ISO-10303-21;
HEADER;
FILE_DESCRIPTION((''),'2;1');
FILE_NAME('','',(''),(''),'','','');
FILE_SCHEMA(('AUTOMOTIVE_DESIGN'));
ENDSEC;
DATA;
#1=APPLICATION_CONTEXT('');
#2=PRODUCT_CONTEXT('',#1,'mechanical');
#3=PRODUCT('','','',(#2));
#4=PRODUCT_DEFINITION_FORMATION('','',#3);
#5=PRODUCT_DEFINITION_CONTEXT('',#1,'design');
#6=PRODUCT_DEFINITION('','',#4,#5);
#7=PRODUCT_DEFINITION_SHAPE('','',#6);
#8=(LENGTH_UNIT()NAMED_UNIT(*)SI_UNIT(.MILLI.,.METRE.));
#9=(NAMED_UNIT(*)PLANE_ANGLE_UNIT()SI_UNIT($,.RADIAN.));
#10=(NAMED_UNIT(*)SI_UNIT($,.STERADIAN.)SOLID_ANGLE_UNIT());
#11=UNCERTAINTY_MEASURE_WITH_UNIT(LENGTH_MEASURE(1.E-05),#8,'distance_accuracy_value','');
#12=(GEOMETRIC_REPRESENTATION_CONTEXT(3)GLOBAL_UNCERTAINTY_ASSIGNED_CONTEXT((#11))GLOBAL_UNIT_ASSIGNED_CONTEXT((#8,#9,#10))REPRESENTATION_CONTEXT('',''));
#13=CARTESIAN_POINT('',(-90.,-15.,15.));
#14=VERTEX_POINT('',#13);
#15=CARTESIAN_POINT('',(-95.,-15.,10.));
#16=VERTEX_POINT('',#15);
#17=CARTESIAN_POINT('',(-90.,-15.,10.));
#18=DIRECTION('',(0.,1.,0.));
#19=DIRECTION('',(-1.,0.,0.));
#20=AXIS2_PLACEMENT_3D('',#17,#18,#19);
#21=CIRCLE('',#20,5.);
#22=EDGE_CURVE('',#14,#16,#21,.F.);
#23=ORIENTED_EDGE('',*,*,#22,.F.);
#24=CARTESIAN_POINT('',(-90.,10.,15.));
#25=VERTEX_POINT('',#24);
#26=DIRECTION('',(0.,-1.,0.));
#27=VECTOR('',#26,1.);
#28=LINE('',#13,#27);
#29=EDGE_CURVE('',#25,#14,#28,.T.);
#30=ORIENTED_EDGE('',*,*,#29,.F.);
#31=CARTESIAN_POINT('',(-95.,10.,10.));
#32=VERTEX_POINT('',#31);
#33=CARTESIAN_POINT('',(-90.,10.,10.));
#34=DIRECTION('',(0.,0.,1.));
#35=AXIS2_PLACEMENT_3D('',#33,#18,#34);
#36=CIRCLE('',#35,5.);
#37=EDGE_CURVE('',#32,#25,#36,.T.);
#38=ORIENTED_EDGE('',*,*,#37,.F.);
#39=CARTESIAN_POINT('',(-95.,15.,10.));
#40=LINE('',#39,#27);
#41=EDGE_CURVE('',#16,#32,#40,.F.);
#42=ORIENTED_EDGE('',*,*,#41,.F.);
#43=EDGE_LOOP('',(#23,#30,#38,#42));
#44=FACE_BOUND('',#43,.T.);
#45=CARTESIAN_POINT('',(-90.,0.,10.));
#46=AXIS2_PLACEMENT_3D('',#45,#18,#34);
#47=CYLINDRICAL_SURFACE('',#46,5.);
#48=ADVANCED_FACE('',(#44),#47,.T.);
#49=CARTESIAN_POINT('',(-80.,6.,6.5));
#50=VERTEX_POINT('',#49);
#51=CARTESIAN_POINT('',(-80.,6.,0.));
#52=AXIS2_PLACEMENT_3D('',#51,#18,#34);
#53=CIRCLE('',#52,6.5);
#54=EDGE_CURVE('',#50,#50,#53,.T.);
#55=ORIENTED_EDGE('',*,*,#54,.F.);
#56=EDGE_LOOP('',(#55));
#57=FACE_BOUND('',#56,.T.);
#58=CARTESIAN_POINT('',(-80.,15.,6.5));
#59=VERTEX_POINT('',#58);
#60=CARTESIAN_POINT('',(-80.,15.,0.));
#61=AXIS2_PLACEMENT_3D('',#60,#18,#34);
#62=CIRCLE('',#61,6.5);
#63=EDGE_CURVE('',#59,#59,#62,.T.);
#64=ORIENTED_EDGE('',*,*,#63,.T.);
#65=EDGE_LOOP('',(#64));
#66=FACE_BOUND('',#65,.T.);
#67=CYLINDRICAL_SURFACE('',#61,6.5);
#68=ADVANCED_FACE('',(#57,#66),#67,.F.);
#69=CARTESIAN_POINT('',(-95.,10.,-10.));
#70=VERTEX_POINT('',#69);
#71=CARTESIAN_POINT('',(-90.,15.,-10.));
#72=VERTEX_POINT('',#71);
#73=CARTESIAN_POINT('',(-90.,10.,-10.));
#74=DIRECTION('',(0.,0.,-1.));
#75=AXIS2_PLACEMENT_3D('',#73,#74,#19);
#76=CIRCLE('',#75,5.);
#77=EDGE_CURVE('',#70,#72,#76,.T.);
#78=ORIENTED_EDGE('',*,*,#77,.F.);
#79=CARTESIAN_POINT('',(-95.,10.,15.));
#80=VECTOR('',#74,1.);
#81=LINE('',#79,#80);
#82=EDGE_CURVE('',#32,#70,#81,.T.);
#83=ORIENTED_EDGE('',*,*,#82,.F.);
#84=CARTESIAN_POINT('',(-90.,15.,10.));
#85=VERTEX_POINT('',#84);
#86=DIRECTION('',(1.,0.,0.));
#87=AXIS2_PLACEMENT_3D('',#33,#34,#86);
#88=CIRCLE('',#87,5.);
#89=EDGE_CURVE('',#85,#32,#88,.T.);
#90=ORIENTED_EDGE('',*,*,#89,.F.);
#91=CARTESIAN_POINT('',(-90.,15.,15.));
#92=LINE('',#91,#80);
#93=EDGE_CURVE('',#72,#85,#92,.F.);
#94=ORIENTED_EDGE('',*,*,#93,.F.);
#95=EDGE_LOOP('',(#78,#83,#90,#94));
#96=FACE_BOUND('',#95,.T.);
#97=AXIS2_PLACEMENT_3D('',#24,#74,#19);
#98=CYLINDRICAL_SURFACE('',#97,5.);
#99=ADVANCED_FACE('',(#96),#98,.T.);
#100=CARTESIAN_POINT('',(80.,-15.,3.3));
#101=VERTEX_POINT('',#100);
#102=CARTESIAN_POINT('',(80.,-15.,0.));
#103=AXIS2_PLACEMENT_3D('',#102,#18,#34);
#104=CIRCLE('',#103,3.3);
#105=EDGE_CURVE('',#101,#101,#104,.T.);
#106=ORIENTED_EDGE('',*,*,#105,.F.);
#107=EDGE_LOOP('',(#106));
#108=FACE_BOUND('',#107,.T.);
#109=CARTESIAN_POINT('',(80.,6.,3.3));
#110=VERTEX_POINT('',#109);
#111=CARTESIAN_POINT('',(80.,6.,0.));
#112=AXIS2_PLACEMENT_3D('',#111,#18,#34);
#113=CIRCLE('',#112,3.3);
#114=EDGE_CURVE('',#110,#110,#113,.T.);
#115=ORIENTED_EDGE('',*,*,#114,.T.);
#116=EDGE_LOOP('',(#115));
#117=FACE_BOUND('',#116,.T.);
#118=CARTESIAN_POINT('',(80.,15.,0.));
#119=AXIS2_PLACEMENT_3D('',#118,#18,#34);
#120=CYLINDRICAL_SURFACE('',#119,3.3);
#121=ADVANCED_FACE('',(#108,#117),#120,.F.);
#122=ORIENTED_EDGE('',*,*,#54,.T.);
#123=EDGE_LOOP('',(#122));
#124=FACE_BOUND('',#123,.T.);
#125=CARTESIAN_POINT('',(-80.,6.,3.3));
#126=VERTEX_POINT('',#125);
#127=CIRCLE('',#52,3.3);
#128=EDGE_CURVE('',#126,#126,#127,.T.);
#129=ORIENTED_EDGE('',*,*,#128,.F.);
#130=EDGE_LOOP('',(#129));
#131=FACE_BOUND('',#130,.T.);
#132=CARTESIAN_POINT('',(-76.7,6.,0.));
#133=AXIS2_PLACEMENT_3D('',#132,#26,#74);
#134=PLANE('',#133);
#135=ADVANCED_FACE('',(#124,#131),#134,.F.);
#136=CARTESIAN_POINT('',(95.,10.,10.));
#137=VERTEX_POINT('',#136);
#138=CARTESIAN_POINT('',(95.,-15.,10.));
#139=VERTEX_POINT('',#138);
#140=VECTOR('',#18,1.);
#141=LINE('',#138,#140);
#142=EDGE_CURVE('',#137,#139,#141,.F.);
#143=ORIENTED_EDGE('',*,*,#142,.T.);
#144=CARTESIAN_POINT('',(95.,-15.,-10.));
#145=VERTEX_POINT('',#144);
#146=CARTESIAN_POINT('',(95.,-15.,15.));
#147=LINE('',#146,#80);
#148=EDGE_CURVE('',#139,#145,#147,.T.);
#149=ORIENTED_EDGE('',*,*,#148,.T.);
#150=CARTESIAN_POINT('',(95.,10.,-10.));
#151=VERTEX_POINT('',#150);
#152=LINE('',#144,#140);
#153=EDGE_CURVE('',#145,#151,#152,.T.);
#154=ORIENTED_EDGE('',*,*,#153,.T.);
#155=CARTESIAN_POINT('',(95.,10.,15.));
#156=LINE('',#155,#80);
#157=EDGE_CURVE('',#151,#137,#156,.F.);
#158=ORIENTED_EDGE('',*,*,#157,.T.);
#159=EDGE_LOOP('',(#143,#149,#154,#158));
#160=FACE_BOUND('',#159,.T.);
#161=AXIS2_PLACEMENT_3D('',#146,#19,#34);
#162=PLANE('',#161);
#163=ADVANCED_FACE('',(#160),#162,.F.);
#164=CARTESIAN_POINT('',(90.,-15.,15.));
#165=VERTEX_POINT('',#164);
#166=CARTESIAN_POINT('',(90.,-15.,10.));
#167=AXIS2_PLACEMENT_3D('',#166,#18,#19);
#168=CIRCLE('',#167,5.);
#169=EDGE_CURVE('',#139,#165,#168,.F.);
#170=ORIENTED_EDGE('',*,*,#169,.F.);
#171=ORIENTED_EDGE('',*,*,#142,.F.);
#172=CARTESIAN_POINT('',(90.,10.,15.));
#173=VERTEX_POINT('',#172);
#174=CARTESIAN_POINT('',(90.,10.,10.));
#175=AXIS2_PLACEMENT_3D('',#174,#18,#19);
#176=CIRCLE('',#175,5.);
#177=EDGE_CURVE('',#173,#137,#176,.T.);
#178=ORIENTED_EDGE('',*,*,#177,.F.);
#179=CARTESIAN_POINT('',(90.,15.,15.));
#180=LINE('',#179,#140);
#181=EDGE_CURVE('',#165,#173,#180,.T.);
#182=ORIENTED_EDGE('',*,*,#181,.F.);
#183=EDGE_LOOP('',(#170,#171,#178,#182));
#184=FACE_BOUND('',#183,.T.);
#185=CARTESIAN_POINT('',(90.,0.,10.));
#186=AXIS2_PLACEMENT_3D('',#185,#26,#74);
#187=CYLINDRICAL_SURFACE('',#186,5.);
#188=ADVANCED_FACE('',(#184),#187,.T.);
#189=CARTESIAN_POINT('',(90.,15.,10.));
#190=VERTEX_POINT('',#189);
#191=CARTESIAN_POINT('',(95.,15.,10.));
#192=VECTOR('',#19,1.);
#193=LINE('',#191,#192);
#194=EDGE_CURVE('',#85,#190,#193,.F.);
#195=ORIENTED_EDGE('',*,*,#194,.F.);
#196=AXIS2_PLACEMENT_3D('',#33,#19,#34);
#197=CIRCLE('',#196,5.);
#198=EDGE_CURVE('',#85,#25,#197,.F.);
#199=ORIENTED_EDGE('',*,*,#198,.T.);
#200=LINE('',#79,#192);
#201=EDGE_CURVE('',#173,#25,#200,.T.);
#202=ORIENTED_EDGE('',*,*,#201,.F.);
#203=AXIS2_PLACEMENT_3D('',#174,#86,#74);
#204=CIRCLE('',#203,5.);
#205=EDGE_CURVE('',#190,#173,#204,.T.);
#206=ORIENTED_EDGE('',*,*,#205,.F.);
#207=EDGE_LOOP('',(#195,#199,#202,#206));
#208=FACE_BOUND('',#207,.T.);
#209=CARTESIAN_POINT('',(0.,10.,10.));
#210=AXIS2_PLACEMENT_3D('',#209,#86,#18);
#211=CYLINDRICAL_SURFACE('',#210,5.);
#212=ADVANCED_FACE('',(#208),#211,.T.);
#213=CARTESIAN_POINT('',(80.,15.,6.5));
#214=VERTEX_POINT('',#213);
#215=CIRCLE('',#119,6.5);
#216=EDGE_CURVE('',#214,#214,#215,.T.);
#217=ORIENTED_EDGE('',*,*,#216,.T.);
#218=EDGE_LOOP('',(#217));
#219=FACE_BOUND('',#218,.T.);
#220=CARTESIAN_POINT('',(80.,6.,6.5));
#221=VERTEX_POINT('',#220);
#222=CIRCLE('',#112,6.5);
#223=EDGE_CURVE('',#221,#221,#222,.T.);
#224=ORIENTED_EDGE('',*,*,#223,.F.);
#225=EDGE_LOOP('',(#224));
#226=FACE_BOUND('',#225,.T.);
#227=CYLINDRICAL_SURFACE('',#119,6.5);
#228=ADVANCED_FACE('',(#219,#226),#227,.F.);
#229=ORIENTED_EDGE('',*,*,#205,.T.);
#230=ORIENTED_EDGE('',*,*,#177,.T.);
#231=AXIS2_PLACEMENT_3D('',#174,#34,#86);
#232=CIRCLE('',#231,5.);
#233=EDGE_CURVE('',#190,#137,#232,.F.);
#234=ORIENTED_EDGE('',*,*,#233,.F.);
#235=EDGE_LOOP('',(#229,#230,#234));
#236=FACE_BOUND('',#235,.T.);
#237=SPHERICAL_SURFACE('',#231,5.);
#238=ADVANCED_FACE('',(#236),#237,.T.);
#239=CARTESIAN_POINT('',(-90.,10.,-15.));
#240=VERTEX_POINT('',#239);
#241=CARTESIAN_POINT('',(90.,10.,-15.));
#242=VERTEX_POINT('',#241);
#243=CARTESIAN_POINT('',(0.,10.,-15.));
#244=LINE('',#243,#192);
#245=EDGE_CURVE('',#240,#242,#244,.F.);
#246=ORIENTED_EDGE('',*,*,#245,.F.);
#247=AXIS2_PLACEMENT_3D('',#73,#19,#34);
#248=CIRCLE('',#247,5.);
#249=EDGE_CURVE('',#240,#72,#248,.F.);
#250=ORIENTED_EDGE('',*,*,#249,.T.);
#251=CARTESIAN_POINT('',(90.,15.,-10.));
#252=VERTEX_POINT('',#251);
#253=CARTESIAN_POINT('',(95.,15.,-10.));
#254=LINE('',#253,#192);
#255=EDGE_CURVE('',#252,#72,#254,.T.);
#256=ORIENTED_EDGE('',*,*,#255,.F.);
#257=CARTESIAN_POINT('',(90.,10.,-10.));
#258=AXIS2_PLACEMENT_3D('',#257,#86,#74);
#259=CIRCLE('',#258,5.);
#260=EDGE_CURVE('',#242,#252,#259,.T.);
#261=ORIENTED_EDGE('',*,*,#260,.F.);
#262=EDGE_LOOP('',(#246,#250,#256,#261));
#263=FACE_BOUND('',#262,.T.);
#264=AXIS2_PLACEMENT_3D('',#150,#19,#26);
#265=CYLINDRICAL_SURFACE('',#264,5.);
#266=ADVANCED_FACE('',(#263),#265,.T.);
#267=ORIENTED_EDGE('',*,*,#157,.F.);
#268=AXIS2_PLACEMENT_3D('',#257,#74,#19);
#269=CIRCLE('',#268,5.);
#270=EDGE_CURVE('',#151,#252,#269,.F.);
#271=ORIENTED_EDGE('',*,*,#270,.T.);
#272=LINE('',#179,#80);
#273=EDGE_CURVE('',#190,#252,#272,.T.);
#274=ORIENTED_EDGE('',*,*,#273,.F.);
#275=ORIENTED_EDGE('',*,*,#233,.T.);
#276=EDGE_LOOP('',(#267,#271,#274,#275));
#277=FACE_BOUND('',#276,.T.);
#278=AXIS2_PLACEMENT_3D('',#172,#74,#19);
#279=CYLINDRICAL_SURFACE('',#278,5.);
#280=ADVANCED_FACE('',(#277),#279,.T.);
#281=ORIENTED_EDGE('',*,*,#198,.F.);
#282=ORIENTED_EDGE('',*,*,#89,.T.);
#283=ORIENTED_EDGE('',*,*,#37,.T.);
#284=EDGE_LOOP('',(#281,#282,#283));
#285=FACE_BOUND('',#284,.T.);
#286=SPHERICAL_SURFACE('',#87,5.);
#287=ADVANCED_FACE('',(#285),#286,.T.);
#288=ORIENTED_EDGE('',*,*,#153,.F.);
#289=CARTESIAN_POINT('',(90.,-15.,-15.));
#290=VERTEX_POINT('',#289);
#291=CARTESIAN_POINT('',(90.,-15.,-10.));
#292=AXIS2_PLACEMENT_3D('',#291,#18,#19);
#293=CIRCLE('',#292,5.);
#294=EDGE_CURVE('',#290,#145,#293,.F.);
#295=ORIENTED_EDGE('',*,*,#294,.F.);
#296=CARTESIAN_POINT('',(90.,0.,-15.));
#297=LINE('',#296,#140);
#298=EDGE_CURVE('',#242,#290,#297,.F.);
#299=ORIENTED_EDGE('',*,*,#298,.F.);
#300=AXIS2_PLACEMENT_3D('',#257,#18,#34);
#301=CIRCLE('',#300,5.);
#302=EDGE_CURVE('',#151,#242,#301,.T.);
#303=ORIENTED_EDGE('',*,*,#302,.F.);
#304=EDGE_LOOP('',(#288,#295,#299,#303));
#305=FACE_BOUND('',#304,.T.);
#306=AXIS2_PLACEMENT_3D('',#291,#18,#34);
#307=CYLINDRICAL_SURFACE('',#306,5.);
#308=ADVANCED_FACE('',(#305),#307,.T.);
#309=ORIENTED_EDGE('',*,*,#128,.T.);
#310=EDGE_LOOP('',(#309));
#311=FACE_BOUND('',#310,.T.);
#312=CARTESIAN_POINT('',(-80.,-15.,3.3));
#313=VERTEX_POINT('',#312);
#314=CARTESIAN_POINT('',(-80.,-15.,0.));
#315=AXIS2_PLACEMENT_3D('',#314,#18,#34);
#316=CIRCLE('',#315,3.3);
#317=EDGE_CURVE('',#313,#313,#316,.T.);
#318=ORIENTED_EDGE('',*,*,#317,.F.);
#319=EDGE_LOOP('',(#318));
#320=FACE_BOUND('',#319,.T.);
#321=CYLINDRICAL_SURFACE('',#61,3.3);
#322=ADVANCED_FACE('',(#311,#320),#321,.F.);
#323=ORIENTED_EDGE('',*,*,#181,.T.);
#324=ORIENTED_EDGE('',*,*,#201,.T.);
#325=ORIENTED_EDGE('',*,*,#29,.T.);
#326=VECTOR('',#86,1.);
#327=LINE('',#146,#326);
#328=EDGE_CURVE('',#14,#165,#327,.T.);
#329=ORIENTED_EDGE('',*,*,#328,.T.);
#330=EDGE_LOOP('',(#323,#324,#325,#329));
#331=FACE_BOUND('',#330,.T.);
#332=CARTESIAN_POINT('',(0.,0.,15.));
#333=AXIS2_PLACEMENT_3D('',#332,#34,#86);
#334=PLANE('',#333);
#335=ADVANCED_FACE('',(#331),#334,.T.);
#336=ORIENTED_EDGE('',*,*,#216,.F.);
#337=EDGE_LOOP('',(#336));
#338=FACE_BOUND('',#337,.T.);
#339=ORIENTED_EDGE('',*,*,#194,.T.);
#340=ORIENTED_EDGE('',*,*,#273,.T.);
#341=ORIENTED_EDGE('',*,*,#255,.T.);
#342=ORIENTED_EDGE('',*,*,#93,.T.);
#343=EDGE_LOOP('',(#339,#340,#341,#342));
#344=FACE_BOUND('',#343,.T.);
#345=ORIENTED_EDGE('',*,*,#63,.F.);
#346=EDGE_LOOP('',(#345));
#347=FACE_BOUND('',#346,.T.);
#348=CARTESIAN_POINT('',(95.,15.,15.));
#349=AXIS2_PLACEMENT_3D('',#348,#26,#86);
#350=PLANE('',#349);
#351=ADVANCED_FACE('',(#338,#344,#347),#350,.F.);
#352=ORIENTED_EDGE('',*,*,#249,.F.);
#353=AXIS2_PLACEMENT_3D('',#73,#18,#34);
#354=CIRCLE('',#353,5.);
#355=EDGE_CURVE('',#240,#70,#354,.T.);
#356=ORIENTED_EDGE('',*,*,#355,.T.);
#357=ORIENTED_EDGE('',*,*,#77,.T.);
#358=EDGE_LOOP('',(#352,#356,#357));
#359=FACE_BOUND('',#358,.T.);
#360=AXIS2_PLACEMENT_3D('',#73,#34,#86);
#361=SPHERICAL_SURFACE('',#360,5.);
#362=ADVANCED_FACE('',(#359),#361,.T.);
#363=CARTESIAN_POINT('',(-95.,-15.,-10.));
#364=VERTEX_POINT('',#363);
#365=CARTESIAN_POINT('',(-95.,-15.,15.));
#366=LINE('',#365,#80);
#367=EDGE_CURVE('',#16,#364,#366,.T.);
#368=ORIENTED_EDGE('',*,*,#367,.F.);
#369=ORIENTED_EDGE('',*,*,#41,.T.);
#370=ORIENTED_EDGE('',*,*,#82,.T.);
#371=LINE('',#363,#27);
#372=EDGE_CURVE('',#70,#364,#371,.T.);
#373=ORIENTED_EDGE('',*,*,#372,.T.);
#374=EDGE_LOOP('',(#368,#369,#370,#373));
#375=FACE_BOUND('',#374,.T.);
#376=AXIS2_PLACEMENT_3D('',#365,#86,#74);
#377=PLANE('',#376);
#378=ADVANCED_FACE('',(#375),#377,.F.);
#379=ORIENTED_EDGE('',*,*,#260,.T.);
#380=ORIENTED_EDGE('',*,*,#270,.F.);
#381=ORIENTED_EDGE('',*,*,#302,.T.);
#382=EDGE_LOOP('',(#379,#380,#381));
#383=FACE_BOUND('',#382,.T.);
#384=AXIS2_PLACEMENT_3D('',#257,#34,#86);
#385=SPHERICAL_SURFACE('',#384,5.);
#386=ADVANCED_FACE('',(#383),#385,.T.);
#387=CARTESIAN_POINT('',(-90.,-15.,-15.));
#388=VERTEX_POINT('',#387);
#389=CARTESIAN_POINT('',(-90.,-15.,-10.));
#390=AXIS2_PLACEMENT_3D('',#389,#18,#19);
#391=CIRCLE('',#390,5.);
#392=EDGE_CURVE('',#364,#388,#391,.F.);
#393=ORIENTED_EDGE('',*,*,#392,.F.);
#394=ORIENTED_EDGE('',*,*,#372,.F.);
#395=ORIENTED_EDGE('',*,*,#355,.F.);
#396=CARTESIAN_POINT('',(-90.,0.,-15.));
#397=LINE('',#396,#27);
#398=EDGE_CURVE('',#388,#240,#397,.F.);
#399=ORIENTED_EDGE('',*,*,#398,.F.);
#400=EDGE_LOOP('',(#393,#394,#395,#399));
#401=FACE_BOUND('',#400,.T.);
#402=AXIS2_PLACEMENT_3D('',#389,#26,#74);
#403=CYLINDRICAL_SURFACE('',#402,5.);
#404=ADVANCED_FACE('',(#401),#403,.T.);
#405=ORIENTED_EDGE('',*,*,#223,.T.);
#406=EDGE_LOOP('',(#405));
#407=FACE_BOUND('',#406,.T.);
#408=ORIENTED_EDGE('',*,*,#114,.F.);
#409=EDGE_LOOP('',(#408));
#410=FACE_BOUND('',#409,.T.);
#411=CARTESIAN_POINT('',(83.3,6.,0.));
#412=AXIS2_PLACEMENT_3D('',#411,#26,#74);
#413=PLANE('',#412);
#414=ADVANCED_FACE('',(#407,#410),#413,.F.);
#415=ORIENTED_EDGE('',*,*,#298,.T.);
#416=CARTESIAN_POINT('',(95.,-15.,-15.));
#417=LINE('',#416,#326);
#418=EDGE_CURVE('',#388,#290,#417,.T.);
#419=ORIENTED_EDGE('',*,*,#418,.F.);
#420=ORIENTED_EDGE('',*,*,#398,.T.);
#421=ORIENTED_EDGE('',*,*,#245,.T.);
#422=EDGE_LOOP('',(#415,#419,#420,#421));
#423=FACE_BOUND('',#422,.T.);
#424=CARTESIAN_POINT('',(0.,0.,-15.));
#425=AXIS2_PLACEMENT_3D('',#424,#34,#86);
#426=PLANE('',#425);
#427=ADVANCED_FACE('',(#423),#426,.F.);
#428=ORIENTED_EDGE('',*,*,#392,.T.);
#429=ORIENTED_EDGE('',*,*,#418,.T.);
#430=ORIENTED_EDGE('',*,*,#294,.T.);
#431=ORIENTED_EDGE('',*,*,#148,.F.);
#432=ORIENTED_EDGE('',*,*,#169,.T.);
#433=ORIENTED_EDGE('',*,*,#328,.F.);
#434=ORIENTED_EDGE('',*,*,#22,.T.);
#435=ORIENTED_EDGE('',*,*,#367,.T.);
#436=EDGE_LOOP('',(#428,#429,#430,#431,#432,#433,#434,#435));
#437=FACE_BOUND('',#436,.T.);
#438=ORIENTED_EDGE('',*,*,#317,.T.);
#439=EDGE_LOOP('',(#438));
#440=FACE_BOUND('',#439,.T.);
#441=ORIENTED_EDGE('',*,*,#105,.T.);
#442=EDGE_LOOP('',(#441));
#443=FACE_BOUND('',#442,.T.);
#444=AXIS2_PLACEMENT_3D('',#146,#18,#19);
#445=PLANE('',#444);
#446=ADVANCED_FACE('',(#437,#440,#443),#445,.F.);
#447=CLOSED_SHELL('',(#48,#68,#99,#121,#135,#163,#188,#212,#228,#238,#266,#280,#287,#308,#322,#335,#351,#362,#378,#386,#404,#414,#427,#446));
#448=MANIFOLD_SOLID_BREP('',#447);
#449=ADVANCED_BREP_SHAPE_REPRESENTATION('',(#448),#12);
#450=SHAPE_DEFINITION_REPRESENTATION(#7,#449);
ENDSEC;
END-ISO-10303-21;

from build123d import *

# Parameters (mm, degrees)
SKETCH1_W                                           = 190
SKETCH1_H                                           = 30
BOSS_EXTRUDE1_DEPTH                                 = 15
FILLET3_R                                           = 5
CBORE_FOR_M6_HEX_SOCKET_HEAD_CAP_SCREW1_D           = 6.6
CBORE_FOR_M6_HEX_SOCKET_HEAD_CAP_SCREW1_CBORE_D     = 13
CBORE_FOR_M6_HEX_SOCKET_HEAD_CAP_SCREW1_CBORE_DEPTH = 9


with BuildPart() as part:
    # Sketch1 → Boss-Extrude1 (new, symmetric)
    with BuildSketch(Plane.XY):
        Rectangle(SKETCH1_W, SKETCH1_H)
    extrude(amount=BOSS_EXTRUDE1_DEPTH, both=True)

    # Fillet3
    fillet3_edges = [part.edges().sort_by_distance(p)[0] for p in [
        (95, 0, 15),
        (0, 15, 15),
        (-95, 0, 15),
        (0, 15, -15),
        (95, 0, -15),
        (-95, 0, -15),
        (-95, 15, 0),
        (95, 15, 0),
    ]]
    fillet(fillet3_edges, radius=FILLET3_R)

    # CBORE for M6 Hex Socket Head Cap Screw1 (through all)
    with Locations(Plane(origin=(0, 15, 0), x_dir=(1, 0, 0), z_dir=(0, 1, 0))):
        with Locations((-80, 0), (80, 0)):
            CounterBoreHole(CBORE_FOR_M6_HEX_SOCKET_HEAD_CAP_SCREW1_D / 2, CBORE_FOR_M6_HEX_SOCKET_HEAD_CAP_SCREW1_CBORE_D / 2, CBORE_FOR_M6_HEX_SOCKET_HEAD_CAP_SCREW1_CBORE_DEPTH)


solid = part.part
